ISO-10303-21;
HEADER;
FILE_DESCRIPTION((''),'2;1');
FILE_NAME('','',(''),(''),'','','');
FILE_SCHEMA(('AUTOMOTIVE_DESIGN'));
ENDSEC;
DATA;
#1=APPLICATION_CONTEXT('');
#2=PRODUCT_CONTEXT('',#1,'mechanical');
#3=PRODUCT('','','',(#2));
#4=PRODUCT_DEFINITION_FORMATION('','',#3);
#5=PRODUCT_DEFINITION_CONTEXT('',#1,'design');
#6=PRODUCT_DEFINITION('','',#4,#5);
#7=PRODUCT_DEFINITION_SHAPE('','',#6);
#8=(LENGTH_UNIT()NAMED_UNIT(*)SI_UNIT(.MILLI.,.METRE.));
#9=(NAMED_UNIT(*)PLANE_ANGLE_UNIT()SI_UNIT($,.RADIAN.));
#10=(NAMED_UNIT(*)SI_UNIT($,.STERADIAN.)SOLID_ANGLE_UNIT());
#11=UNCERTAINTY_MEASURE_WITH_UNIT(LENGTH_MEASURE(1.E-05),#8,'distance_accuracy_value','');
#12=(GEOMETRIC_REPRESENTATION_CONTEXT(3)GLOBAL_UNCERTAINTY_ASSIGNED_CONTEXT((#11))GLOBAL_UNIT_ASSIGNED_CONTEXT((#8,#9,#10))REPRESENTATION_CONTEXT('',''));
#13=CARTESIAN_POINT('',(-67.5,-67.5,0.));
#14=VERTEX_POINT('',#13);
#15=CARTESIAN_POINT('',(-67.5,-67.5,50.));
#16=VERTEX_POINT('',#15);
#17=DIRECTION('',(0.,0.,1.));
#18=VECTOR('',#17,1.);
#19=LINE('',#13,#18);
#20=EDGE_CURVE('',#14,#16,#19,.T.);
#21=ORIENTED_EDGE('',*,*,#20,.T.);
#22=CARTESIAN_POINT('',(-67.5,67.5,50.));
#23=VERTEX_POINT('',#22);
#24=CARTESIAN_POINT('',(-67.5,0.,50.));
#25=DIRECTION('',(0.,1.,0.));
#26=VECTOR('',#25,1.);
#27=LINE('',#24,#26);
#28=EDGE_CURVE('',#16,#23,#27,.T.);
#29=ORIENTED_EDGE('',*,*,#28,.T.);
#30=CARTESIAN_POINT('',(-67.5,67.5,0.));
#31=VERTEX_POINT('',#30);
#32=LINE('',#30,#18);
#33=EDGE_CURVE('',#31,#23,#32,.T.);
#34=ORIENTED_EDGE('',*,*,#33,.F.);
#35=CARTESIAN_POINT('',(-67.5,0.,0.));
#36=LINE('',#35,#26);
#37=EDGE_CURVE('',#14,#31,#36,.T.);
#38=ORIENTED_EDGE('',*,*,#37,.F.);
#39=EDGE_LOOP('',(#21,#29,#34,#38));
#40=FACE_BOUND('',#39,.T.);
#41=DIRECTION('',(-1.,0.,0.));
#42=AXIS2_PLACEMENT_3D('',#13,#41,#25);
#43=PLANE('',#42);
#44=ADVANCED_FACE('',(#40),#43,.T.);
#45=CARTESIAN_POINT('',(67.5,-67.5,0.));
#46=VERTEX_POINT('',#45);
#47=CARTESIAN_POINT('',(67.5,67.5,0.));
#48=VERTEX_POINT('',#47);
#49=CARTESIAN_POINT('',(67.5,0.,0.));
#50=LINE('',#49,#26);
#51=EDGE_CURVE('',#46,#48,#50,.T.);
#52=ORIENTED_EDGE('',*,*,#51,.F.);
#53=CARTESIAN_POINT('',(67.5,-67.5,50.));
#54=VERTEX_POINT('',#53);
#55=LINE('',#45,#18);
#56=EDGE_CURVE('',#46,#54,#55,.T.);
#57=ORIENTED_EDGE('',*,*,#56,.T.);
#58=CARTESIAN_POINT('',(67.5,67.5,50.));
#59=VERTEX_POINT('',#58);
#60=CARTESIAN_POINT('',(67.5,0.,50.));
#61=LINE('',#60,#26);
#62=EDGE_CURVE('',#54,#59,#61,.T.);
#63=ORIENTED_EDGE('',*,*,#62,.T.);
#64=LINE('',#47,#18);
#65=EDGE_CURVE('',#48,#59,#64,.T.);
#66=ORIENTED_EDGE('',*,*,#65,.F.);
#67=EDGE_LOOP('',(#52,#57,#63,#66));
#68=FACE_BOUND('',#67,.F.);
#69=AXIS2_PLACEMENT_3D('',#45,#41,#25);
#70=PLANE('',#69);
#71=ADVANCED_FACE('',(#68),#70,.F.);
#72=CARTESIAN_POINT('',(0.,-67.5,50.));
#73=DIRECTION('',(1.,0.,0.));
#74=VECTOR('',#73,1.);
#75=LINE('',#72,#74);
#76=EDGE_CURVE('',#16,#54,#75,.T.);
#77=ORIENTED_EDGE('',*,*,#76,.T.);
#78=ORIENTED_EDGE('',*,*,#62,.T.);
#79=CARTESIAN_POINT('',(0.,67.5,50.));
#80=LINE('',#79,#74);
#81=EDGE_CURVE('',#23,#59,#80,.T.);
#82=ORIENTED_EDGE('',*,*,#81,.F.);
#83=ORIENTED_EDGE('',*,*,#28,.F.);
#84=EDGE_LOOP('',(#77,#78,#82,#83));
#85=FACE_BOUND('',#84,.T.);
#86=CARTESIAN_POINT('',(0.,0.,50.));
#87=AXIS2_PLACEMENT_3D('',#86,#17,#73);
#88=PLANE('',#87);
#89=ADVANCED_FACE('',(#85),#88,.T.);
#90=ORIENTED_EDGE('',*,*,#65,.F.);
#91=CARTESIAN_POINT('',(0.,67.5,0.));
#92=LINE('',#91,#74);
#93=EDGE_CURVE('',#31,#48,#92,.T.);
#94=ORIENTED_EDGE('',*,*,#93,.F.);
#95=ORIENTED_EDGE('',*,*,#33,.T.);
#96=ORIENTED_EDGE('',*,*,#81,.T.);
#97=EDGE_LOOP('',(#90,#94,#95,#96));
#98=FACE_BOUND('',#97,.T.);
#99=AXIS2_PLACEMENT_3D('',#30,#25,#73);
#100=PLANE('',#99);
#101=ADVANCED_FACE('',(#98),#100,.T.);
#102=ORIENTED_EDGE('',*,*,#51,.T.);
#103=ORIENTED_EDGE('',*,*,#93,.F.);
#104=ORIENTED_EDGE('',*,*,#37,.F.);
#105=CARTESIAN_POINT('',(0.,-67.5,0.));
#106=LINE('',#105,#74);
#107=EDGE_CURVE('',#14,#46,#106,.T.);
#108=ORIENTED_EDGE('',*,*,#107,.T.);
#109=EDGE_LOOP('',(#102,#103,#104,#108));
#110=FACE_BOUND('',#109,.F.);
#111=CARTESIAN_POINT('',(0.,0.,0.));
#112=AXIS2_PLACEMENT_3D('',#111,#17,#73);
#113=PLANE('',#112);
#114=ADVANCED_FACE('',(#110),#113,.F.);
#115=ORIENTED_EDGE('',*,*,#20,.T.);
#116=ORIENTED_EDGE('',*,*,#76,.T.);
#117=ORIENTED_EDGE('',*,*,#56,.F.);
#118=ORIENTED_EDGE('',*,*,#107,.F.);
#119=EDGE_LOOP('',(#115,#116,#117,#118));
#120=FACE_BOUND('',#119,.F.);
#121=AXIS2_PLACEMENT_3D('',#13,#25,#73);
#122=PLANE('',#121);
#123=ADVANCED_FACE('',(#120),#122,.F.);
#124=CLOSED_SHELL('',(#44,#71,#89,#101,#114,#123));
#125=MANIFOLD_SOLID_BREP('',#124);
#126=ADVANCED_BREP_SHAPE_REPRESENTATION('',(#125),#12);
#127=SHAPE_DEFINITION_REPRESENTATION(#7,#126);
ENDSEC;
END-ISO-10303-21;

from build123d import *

# Parameters (mm, degrees)
SKETCH_W      = 135
SKETCH_H      = 135
EXTRUDE_DEPTH = 50


with BuildPart() as part:
    # Sketch → Extrude (new body)
    with BuildSketch(Plane.XY):
        Rectangle(SKETCH_W, SKETCH_H)
    extrude(amount=EXTRUDE_DEPTH)


solid = part.part
